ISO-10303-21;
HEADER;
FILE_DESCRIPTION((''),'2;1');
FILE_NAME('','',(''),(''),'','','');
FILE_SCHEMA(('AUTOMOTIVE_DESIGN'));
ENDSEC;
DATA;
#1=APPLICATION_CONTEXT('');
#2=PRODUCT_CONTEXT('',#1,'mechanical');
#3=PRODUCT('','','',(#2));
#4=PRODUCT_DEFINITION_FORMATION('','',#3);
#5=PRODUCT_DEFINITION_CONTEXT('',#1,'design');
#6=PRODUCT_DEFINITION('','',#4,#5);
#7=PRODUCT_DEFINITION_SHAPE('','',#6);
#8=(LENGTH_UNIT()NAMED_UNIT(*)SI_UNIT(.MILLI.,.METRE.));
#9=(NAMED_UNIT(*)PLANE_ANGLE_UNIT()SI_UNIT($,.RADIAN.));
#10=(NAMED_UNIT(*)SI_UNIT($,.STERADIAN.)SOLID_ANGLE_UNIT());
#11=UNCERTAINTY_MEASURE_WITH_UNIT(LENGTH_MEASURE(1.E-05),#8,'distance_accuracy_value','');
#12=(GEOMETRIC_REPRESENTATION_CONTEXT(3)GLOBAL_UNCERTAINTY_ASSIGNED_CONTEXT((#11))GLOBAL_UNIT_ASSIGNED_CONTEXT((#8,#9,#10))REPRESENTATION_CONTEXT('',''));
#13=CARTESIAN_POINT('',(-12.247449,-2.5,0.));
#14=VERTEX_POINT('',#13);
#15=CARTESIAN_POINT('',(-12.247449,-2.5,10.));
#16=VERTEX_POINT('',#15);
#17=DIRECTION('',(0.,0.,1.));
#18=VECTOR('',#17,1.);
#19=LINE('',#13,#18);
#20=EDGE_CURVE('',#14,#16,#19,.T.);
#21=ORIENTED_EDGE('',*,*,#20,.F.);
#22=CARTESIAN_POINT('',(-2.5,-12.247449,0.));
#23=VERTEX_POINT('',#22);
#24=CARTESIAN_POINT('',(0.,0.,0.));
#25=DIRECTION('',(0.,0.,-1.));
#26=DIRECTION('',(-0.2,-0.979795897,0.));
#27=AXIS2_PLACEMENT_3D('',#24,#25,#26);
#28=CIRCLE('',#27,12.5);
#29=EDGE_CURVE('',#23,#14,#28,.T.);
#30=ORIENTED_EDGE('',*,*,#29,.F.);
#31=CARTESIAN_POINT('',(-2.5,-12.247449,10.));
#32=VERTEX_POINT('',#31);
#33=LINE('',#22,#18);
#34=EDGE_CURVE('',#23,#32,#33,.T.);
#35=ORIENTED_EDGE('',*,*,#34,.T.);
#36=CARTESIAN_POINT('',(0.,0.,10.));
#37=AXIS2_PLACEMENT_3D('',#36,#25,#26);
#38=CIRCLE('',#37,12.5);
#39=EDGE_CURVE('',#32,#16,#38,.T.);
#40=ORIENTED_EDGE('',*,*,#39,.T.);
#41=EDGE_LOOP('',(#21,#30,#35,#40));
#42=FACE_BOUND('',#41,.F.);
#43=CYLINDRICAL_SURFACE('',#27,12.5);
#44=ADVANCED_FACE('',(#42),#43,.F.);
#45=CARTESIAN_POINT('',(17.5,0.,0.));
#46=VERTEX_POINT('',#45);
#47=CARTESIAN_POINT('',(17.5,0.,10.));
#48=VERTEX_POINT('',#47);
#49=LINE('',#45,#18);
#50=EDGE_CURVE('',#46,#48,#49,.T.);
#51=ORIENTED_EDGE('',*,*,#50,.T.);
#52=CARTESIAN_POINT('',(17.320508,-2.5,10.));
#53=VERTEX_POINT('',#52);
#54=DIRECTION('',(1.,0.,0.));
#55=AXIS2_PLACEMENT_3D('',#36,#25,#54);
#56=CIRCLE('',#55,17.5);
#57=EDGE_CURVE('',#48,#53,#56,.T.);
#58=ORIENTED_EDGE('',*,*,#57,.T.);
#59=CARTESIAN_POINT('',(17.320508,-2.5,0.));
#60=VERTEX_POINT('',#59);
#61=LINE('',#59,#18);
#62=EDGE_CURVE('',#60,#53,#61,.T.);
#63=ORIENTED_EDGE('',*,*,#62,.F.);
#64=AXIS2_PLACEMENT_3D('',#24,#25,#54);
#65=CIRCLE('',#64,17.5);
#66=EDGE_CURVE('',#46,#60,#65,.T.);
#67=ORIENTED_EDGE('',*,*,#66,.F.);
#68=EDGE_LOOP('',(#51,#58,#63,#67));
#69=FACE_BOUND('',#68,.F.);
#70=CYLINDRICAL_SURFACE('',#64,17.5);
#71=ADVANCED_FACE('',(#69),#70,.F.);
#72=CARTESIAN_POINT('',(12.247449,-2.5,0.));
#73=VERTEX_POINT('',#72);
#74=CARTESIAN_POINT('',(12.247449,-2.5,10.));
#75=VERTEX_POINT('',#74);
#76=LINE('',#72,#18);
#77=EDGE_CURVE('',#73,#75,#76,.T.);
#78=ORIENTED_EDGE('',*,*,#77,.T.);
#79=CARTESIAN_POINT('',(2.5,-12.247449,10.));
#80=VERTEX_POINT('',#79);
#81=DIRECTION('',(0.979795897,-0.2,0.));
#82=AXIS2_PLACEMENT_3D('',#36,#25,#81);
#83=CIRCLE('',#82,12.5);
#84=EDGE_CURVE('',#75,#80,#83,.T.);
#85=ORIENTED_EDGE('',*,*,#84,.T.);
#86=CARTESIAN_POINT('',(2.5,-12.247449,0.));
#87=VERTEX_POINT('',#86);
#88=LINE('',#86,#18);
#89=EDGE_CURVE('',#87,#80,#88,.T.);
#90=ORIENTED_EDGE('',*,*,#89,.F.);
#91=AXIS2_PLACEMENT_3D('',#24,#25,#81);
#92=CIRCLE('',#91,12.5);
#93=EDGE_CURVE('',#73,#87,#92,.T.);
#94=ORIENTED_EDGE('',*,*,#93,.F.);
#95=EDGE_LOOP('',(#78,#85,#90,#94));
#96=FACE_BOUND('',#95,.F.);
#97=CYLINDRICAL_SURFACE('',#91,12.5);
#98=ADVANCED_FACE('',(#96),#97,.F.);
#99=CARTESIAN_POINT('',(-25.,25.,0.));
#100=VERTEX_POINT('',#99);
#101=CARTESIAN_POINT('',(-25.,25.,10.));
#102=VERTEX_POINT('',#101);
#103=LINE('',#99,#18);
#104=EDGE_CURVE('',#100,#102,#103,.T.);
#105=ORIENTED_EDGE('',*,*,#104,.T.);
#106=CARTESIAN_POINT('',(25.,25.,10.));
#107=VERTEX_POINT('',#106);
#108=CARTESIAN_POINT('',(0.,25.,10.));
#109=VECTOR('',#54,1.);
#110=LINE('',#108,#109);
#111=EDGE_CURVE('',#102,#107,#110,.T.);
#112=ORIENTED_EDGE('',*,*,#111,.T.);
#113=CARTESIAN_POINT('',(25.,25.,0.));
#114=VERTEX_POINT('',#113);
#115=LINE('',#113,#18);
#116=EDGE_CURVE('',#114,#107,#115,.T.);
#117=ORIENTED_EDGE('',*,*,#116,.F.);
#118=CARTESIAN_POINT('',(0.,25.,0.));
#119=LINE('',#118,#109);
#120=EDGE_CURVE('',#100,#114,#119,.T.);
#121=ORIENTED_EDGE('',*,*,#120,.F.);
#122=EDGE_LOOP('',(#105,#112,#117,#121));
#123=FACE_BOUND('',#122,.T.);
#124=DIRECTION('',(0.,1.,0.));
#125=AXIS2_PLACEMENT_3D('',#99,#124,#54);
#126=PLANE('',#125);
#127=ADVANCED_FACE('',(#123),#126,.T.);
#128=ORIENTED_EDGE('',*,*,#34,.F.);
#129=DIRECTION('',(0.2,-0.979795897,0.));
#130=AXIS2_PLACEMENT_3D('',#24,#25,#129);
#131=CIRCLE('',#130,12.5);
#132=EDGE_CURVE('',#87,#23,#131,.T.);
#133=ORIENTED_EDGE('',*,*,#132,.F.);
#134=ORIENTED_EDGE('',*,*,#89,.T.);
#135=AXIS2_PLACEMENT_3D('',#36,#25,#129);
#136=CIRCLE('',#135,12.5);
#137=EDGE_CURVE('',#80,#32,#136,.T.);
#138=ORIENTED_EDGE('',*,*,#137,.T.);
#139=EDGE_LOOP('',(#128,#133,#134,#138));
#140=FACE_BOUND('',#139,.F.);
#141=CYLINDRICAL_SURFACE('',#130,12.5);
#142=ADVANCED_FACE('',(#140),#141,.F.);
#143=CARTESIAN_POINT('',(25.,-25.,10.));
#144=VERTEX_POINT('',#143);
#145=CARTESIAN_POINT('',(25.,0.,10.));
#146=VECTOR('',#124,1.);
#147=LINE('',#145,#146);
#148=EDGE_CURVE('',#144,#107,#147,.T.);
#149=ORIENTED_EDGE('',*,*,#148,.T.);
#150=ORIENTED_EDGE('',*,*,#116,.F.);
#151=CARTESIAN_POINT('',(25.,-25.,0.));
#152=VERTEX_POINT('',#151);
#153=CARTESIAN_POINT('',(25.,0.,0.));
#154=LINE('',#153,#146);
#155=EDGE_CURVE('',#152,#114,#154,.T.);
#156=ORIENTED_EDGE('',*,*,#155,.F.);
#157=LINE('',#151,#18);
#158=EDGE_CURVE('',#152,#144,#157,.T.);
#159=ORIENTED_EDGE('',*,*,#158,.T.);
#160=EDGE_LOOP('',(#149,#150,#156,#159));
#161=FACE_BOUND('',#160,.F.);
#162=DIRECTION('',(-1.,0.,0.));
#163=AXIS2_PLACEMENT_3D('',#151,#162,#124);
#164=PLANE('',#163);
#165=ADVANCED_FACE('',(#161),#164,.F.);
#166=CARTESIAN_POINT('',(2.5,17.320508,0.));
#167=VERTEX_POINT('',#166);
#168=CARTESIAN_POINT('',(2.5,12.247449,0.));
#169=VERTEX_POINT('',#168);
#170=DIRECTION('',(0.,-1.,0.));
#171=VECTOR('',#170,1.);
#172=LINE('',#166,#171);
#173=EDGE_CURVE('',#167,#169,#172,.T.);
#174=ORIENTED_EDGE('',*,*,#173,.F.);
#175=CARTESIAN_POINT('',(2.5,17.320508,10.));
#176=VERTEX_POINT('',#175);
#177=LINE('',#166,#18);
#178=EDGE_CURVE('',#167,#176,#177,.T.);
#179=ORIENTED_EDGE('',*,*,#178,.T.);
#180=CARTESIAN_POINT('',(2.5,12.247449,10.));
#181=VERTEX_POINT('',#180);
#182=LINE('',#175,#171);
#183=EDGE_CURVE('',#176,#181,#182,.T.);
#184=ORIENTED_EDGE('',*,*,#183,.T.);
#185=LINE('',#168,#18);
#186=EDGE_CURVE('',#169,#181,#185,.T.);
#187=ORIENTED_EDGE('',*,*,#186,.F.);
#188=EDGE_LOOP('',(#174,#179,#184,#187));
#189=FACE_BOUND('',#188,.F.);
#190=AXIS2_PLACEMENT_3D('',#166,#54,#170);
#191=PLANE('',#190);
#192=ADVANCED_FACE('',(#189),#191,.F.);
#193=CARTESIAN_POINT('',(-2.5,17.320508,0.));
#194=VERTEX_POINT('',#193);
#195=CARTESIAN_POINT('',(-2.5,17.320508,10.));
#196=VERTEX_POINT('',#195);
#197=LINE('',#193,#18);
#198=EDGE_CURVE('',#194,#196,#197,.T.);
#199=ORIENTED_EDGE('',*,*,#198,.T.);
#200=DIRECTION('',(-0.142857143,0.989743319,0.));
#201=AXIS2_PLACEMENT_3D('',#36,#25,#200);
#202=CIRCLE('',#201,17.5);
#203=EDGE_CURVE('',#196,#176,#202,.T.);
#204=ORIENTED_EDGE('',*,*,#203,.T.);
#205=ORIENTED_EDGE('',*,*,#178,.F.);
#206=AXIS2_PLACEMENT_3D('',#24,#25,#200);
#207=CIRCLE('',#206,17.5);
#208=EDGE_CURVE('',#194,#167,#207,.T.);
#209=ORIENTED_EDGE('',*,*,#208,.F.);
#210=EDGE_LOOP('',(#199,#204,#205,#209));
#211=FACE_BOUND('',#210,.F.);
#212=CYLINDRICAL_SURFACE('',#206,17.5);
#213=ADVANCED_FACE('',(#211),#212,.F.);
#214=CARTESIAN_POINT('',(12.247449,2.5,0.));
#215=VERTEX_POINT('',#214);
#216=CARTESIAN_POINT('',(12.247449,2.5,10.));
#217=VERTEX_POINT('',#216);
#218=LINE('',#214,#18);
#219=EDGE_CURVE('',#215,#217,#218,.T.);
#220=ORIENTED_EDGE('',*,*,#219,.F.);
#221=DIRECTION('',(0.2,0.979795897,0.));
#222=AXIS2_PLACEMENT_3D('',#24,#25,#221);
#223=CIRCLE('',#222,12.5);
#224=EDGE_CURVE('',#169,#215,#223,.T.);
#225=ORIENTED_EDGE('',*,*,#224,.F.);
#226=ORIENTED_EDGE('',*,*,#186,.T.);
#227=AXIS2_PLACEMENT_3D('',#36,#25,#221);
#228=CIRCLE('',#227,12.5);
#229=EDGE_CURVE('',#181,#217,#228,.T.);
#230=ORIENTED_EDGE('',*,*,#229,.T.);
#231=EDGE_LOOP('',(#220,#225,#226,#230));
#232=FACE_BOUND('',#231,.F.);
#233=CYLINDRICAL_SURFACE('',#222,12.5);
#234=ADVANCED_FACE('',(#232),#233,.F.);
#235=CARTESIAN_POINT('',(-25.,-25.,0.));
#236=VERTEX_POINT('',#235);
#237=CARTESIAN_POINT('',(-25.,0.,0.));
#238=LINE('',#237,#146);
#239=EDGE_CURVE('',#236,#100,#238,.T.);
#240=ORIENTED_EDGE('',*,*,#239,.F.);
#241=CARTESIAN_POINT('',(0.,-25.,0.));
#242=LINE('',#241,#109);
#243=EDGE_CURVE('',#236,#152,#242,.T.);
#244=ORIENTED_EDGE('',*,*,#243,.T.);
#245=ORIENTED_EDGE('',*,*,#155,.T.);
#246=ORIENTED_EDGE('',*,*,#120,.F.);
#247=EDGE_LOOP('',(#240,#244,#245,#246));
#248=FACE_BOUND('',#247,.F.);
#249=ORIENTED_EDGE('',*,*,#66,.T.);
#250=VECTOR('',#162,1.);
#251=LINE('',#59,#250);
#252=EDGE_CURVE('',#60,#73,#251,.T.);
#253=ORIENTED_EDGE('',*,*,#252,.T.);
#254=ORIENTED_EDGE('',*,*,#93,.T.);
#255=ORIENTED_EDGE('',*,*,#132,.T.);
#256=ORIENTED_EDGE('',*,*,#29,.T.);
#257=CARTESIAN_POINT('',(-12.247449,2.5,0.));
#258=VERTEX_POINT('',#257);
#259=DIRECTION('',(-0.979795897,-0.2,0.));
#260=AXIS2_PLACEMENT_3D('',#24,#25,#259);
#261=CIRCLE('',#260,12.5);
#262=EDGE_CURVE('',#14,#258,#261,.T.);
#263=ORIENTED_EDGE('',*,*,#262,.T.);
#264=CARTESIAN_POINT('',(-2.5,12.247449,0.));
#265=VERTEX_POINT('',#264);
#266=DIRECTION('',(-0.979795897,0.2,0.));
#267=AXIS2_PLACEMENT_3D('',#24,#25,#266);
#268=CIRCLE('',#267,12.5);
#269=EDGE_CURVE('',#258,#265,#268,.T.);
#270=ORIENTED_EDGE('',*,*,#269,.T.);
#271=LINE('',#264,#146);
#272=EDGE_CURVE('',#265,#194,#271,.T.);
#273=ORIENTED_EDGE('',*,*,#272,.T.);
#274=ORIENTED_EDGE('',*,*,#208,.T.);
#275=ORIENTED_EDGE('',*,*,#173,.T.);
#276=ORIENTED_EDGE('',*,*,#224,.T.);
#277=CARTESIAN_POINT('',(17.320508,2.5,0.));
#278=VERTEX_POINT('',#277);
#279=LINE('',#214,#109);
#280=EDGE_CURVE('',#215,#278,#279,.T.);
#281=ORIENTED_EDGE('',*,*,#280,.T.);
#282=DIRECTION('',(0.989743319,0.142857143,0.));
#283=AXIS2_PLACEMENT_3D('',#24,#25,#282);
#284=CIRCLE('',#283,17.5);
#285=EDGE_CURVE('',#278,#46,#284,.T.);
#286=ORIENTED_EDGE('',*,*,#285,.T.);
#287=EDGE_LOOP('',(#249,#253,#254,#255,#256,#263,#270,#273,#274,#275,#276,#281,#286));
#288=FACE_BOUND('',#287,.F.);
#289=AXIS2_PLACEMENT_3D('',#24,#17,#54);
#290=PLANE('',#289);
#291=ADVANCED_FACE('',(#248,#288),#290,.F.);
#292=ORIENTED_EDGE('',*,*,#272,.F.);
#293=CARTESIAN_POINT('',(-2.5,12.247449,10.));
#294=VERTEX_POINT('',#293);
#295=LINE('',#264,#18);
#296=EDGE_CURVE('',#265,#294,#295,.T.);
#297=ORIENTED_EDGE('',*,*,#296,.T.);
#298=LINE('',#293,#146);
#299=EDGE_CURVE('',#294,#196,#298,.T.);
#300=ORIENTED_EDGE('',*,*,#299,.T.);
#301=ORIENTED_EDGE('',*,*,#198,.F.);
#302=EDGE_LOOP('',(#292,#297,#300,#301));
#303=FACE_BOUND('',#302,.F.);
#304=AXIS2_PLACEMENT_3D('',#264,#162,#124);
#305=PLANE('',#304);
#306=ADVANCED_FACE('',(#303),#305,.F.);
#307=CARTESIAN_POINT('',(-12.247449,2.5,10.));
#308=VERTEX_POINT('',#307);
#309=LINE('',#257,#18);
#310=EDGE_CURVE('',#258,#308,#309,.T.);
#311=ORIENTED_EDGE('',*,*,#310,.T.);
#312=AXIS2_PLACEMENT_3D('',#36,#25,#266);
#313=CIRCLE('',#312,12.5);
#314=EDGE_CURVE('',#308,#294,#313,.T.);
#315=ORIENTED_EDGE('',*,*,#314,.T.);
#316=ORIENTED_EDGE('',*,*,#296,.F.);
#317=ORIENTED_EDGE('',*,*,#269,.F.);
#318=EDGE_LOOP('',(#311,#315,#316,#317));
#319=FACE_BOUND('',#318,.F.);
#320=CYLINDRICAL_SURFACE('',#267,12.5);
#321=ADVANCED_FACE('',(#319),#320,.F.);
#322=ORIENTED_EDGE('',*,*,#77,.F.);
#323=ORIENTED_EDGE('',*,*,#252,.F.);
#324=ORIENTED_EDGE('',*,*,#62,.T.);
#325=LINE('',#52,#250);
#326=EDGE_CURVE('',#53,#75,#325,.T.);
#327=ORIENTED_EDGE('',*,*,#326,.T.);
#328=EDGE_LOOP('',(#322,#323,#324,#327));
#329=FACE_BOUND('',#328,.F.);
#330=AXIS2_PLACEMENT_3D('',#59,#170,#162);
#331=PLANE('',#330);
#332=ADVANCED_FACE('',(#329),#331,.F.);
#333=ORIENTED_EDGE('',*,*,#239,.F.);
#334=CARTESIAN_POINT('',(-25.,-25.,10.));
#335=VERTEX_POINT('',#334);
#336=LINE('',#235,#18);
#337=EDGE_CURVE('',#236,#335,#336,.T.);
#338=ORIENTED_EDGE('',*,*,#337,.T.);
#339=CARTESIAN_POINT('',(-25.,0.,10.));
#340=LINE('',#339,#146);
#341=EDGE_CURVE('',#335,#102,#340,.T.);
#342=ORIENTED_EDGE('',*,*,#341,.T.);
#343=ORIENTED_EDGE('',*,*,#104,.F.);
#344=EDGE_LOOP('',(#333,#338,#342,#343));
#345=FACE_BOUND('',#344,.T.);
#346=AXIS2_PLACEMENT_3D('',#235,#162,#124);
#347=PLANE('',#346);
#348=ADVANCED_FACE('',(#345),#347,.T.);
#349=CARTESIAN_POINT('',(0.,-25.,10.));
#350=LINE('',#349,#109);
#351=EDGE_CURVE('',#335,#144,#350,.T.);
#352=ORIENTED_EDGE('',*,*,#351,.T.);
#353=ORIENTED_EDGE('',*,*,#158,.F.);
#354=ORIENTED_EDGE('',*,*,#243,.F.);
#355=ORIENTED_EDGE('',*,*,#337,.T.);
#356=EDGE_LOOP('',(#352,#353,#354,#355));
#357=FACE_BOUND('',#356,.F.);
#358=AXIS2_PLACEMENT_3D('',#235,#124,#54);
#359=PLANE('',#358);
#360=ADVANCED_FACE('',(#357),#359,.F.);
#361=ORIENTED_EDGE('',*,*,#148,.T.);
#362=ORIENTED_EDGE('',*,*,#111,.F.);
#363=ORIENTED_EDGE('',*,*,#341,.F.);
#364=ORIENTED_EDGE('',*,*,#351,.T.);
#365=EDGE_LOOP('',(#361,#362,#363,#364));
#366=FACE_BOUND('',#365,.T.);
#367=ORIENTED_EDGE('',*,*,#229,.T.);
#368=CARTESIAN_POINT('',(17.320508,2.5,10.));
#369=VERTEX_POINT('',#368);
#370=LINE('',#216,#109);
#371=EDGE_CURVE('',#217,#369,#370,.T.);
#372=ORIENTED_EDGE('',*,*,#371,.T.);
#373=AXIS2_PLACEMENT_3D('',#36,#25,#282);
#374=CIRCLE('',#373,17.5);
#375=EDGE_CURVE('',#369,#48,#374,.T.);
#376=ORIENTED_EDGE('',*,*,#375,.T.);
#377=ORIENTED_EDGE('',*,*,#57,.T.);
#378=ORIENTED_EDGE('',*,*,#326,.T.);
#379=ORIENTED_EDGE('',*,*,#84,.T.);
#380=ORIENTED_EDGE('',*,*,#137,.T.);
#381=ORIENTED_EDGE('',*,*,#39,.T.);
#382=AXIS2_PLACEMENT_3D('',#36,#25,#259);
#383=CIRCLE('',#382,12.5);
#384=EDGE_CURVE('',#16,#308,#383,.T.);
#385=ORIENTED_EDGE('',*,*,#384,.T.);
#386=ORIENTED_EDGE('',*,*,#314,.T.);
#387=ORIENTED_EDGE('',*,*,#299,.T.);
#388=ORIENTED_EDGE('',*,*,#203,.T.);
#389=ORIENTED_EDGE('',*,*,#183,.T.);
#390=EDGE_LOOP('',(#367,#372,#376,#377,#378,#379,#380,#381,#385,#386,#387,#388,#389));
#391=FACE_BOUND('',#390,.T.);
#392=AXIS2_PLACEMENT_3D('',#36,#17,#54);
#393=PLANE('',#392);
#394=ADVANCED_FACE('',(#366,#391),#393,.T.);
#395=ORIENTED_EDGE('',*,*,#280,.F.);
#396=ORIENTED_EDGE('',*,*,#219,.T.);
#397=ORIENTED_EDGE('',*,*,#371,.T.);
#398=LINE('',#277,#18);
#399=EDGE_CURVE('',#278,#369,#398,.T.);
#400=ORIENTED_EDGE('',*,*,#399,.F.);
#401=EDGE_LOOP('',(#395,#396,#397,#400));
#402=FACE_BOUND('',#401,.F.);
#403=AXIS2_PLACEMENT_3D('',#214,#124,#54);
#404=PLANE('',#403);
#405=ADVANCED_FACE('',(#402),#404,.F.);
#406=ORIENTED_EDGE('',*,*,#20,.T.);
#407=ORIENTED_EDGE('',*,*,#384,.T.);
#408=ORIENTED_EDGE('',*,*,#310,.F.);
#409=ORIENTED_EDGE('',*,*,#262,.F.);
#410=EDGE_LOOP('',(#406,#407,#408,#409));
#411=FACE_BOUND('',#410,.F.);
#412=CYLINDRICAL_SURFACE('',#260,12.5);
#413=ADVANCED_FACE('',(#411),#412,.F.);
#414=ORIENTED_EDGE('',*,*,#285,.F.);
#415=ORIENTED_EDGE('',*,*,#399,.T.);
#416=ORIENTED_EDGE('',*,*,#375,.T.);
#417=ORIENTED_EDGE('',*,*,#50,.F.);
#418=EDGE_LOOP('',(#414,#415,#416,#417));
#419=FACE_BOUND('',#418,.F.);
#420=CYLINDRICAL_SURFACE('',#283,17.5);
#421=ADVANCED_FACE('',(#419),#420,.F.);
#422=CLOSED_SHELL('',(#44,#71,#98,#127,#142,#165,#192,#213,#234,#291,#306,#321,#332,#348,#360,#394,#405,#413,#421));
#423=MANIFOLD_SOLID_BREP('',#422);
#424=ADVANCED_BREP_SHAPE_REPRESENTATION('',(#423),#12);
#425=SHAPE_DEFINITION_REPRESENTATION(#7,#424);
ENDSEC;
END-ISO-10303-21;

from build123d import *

# Parameters (mm, degrees)
F0_W     = 50
F0_H     = 50
F1_DEPTH = 10


with BuildPart() as f1:
    # F0 (on Top) → F1 (new body)
    with BuildSketch(Plane.XY):
        Rectangle(F0_W, F0_H)
        with BuildLine():
            ThreePointArc((2.5, 17.3205080757), (12.3743686708, 12.3743686708), (17.3205080757, 2.5))
            Line((17.3205080757, 2.5), (21.1176965386, 2.5))
            Line((21.1176965386, 2.5), (21.1176965386, -2.5))
            Line((21.1176965386, -2.5), (17.3205080757, -2.5))
            ThreePointArc((17.3205080757, -2.5), (12.3743686708, -12.3743686708), (2.5, -17.3205080757))
            Line((2.5, -17.3205080757), (2.5, -18.6099875718))
            Line((2.5, -18.6099875718), (-2.5, -18.6099875718))
            Line((-2.5, -18.6099875718), (-2.5, -17.3205080757))
            ThreePointArc((-2.5, -17.3205080757), (-12.3743686708, -12.3743686708), (-17.3205080757, -2.5))
            Line((-17.3205080757, -2.5), (-21.1176965386, -2.5))
            Line((-21.1176965386, -2.5), (-21.1176965386, 2.5))
            Line((-21.1176965386, 2.5), (-17.3205080757, 2.5))
            ThreePointArc((-17.3205080757, 2.5), (-12.3743686708, 12.3743686708), (-2.5, 17.3205080757))
            Line((-2.5, 17.3205080757), (-2.5, 18.6099875718))
            Line((-2.5, 18.6099875718), (2.5, 18.6099875718))
            Line((2.5, 18.6099875718), (2.5, 17.3205080757))
        make_face(mode=Mode.SUBTRACT)
        with BuildLine():
            ThreePointArc((-2.5, 17.3205080757), (0, 17.5), (2.5, 17.3205080757))
            Line((2.5, 17.3205080757), (2.5, 18.6099875718))
            Line((2.5, 18.6099875718), (-2.5, 18.6099875718))
            Line((-2.5, 18.6099875718), (-2.5, 17.3205080757))
        make_face()
        with BuildLine():
            ThreePointArc((-17.3205080757, -2.5), (-17.5, 0), (-17.3205080757, 2.5))
            Line((-17.3205080757, 2.5), (-21.1176965386, 2.5))
            Line((-21.1176965386, 2.5), (-21.1176965386, -2.5))
            Line((-21.1176965386, -2.5), (-17.3205080757, -2.5))
        make_face()
        with BuildLine():
            Line((2.5, -18.6099875718), (2.5, -17.3205080757))
            ThreePointArc((2.5, -17.3205080757), (0, -17.5), (-2.5, -17.3205080757))
            Line((-2.5, -17.3205080757), (-2.5, -18.6099875718))
            Line((-2.5, -18.6099875718), (2.5, -18.6099875718))
        make_face()
        with BuildLine():
            Line((21.1176965386, 2.5), (17.3205080757, 2.5))
            ThreePointArc((17.3205080757, 2.5), (17.4550693399, 1.2532175939), (17.5, 0))
            ThreePointArc((17.5, 0), (17.4550693399, -1.2532175939), (17.3205080757, -2.5))
            Line((17.3205080757, -2.5), (21.1176965386, -2.5))
            Line((21.1176965386, -2.5), (21.1176965386, 2.5))
        make_face()
        with BuildLine():
            ThreePointArc((2.5, 12.2474487139), (8.8388347648, 8.8388347648), (12.2474487139, 2.5))
            Line((12.2474487139, 2.5), (17.3205080757, 2.5))
            ThreePointArc((17.3205080757, 2.5), (12.3743686708, 12.3743686708), (2.5, 17.3205080757))
            Line((2.5, 17.3205080757), (2.5, 12.2474487139))
        make_face()
        with BuildLine():
            Line((17.3205080757, -2.5), (12.2474487139, -2.5))
            ThreePointArc((12.2474487139, -2.5), (8.8388347648, -8.8388347648), (2.5, -12.2474487139))
            Line((2.5, -12.2474487139), (2.5, -17.3205080757))
            ThreePointArc((2.5, -17.3205080757), (12.3743686708, -12.3743686708), (17.3205080757, -2.5))
        make_face()
        with BuildLine():
            Line((2.5, -17.3205080757), (2.5, -12.2474487139))
            ThreePointArc((2.5, -12.2474487139), (0, -12.5), (-2.5, -12.2474487139))
            Line((-2.5, -12.2474487139), (-2.5, -17.3205080757))
            ThreePointArc((-2.5, -17.3205080757), (0, -17.5), (2.5, -17.3205080757))
        make_face()
        with BuildLine():
            Line((-2.5, -17.3205080757), (-2.5, -12.2474487139))
            ThreePointArc((-2.5, -12.2474487139), (-8.8388347648, -8.8388347648), (-12.2474487139, -2.5))
            Line((-12.2474487139, -2.5), (-17.3205080757, -2.5))
            ThreePointArc((-17.3205080757, -2.5), (-12.3743686708, -12.3743686708), (-2.5, -17.3205080757))
        make_face()
        with BuildLine():
            ThreePointArc((-12.2474487139, -2.5), (-12.5, 0), (-12.2474487139, 2.5))
            Line((-12.2474487139, 2.5), (-17.3205080757, 2.5))
            ThreePointArc((-17.3205080757, 2.5), (-17.5, 0), (-17.3205080757, -2.5))
            Line((-17.3205080757, -2.5), (-12.2474487139, -2.5))
        make_face()
        with BuildLine():
            ThreePointArc((-12.2474487139, 2.5), (-8.8388347648, 8.8388347648), (-2.5, 12.2474487139))
            Line((-2.5, 12.2474487139), (-2.5, 17.3205080757))
            ThreePointArc((-2.5, 17.3205080757), (-12.3743686708, 12.3743686708), (-17.3205080757, 2.5))
            Line((-17.3205080757, 2.5), (-12.2474487139, 2.5))
        make_face()
    extrude(amount=F1_DEPTH)


solid = f1.part
